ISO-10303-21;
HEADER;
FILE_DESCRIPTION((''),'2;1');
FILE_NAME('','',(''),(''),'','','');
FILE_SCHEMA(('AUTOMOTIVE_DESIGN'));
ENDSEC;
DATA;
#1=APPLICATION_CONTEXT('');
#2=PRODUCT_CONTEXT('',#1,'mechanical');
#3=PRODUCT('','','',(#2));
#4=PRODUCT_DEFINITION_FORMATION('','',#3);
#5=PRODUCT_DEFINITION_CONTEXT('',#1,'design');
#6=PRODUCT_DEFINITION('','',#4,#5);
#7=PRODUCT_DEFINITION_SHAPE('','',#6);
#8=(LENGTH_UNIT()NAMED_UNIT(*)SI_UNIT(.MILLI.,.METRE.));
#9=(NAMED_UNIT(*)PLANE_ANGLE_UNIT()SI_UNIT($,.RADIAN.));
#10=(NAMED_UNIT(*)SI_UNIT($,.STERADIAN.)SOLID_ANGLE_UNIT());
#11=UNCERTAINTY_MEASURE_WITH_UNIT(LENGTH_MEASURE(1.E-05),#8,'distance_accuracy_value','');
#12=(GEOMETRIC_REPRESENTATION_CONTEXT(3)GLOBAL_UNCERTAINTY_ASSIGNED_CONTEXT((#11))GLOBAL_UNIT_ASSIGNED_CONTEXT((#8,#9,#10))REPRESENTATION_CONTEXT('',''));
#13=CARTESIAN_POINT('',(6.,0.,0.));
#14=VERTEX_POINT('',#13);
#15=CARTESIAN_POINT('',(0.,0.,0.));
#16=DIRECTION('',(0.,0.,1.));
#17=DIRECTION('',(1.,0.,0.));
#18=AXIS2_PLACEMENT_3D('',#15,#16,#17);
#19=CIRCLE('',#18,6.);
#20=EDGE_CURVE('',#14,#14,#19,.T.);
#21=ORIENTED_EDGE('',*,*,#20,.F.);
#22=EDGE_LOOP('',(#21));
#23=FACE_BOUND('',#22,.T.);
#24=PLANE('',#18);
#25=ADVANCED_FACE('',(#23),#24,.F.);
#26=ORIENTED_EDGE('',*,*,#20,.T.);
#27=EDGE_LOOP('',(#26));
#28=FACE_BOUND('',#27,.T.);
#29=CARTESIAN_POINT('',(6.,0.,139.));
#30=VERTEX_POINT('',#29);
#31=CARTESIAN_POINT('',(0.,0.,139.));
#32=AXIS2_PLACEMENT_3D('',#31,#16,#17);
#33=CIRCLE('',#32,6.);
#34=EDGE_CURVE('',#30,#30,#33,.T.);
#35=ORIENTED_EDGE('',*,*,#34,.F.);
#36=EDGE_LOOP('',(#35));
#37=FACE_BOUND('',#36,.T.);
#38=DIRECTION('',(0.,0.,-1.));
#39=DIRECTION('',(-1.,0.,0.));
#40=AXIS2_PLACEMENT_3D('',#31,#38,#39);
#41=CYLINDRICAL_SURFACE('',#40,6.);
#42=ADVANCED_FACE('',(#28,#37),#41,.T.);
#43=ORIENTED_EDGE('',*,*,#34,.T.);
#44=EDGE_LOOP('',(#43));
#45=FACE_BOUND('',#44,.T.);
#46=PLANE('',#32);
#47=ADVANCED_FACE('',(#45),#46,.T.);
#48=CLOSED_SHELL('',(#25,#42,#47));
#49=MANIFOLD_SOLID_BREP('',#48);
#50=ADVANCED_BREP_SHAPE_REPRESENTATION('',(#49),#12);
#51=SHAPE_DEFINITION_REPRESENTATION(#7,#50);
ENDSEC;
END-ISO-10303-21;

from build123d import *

# Parameters (mm, degrees)
SKETCH1_R           = 6
BOSS_EXTRUDE1_DEPTH = 139


with BuildPart() as part:
    # Sketch1 → Boss-Extrude1 (new body)
    with BuildSketch(Plane.XY):
        Circle(SKETCH1_R)
    extrude(amount=BOSS_EXTRUDE1_DEPTH)


solid = part.part
